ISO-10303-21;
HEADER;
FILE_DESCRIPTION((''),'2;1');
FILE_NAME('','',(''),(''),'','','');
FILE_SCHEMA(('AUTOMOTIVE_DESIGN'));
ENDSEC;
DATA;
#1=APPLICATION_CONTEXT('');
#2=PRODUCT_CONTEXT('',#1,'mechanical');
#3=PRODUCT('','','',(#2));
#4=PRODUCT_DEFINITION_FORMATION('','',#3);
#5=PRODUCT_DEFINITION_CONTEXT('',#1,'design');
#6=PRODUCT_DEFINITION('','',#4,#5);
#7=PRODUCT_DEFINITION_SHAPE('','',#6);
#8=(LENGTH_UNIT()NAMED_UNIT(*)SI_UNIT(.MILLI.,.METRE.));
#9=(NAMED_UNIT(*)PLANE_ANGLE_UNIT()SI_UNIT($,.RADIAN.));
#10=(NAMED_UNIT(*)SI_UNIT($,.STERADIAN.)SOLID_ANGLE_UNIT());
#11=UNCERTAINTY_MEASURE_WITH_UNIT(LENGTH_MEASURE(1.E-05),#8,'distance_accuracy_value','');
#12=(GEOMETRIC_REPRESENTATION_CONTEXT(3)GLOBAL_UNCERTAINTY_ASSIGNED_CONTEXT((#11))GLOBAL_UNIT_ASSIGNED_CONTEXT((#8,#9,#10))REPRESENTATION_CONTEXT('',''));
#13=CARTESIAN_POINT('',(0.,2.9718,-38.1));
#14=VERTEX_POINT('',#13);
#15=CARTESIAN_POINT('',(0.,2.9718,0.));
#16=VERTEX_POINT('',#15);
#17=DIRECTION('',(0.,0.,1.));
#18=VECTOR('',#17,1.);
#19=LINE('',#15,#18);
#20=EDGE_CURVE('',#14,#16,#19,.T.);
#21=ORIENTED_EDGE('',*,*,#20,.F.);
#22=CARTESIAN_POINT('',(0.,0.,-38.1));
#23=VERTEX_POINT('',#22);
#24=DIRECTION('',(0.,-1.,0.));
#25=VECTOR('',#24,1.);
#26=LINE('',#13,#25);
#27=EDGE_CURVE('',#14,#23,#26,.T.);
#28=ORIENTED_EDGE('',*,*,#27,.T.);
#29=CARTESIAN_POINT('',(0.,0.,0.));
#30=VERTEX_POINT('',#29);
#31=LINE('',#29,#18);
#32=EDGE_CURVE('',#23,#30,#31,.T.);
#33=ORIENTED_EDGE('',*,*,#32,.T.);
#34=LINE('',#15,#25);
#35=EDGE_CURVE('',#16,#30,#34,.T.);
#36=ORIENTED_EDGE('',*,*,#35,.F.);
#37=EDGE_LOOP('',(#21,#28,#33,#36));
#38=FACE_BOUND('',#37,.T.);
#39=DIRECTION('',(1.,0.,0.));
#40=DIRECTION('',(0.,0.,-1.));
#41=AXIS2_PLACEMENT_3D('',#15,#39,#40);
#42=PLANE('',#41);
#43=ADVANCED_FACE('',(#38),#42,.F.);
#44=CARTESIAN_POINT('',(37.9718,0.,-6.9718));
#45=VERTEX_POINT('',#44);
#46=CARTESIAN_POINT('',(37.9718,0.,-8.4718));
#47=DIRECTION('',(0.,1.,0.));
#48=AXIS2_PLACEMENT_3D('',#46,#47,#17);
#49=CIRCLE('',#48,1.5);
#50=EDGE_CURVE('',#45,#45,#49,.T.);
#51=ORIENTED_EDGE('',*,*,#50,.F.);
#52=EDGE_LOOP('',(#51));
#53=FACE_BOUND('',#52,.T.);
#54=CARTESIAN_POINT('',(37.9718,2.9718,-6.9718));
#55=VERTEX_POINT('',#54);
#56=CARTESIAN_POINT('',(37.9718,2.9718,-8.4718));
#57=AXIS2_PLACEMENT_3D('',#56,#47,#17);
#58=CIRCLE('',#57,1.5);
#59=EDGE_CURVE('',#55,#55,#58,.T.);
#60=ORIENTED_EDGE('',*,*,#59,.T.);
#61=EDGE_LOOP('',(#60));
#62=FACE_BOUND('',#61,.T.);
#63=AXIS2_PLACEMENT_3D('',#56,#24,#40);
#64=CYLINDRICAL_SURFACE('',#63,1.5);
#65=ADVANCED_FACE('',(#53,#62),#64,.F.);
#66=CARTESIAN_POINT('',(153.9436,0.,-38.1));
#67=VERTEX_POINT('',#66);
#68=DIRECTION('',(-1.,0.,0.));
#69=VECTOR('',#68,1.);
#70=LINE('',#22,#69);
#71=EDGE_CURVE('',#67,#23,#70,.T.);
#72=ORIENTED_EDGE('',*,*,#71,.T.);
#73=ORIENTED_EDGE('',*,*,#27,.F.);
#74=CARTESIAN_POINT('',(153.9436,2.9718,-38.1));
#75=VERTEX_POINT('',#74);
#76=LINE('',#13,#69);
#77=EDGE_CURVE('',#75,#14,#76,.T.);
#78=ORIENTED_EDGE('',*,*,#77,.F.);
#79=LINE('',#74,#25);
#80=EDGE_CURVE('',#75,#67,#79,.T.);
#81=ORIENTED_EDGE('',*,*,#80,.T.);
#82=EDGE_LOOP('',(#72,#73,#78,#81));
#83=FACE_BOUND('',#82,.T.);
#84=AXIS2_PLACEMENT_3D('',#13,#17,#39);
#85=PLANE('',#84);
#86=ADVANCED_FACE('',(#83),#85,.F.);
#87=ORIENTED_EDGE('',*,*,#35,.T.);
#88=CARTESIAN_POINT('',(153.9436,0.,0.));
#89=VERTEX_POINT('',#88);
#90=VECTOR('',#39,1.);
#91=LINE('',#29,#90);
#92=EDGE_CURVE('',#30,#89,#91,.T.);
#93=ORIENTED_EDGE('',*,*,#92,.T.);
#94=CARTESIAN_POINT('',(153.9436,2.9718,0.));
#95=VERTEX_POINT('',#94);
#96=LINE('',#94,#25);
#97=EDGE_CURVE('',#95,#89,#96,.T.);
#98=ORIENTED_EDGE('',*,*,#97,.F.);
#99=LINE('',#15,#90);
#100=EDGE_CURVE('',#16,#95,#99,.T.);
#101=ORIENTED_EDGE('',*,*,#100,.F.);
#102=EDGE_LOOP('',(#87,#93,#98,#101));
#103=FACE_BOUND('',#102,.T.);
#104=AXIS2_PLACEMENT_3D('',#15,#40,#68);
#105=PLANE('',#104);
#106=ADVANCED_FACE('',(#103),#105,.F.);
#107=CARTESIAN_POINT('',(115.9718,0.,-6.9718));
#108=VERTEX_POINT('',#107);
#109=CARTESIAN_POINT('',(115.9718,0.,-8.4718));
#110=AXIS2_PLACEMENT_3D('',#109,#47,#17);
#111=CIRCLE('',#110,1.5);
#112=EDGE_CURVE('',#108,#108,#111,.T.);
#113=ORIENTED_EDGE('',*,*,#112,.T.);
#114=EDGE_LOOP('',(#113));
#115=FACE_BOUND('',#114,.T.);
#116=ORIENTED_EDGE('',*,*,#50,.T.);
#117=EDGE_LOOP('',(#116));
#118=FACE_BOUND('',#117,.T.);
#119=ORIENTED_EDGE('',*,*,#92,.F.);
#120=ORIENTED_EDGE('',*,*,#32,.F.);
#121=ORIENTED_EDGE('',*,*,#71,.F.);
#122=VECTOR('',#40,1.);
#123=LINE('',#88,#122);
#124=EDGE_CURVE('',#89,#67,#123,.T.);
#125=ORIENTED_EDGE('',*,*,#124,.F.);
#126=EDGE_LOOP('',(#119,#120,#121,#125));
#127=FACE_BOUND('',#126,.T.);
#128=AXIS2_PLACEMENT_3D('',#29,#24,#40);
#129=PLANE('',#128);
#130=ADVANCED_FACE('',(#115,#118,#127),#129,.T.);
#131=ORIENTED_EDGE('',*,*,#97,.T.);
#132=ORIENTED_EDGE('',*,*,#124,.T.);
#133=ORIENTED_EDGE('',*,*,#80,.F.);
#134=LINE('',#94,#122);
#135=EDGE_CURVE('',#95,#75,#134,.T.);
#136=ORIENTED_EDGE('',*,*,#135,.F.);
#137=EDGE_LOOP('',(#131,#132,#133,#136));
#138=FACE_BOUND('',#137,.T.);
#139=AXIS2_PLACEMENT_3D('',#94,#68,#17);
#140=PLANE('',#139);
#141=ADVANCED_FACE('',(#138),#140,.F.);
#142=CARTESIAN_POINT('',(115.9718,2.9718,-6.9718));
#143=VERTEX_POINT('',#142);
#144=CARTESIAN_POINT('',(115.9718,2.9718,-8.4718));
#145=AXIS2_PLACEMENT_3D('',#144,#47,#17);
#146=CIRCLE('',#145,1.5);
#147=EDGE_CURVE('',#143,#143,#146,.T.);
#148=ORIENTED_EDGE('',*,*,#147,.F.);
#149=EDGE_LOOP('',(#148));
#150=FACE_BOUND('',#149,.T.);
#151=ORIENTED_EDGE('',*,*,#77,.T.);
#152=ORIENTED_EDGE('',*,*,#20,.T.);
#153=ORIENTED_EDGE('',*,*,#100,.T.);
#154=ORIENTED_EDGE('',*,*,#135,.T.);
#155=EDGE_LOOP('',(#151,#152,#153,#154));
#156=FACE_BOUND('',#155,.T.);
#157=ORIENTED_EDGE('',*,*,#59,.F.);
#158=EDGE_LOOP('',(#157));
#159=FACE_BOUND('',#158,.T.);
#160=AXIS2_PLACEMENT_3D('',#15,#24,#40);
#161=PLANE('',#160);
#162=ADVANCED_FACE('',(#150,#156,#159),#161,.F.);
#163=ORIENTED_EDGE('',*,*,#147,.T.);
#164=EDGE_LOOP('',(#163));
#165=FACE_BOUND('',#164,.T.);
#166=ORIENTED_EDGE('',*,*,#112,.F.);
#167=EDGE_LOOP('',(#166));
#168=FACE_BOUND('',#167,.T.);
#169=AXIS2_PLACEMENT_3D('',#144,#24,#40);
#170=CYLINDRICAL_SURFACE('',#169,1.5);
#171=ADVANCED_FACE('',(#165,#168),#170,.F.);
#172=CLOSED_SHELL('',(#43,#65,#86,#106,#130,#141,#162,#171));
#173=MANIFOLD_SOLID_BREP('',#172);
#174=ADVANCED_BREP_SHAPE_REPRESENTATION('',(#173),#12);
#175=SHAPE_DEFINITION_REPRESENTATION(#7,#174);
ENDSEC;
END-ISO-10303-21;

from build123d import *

# Parameters (mm, degrees)
SKETCH1_W           = 153.9436
SKETCH1_H           = 38.1
SKETCH1_R           = 1.5
BOSS_EXTRUDE1_DEPTH = 2.9718


with BuildPart() as part:
    # Sketch1 → Boss-Extrude1 (new body)
    with BuildSketch(Plane(origin=(0, 0, 0), x_dir=(1, 0, 0), z_dir=(0, 1, 0))):
        with Locations((76.9718, 19.05)):
            Rectangle(SKETCH1_W, SKETCH1_H)
        with Locations(Location((37.9718, 8.4718, 0), (0, 0, 270))):
            Circle(SKETCH1_R, mode=Mode.SUBTRACT)
        with Locations(Location((115.9718, 8.4718, 0), (0, 0, 270))):
            Circle(SKETCH1_R, mode=Mode.SUBTRACT)
    extrude(amount=BOSS_EXTRUDE1_DEPTH)


solid = part.part
